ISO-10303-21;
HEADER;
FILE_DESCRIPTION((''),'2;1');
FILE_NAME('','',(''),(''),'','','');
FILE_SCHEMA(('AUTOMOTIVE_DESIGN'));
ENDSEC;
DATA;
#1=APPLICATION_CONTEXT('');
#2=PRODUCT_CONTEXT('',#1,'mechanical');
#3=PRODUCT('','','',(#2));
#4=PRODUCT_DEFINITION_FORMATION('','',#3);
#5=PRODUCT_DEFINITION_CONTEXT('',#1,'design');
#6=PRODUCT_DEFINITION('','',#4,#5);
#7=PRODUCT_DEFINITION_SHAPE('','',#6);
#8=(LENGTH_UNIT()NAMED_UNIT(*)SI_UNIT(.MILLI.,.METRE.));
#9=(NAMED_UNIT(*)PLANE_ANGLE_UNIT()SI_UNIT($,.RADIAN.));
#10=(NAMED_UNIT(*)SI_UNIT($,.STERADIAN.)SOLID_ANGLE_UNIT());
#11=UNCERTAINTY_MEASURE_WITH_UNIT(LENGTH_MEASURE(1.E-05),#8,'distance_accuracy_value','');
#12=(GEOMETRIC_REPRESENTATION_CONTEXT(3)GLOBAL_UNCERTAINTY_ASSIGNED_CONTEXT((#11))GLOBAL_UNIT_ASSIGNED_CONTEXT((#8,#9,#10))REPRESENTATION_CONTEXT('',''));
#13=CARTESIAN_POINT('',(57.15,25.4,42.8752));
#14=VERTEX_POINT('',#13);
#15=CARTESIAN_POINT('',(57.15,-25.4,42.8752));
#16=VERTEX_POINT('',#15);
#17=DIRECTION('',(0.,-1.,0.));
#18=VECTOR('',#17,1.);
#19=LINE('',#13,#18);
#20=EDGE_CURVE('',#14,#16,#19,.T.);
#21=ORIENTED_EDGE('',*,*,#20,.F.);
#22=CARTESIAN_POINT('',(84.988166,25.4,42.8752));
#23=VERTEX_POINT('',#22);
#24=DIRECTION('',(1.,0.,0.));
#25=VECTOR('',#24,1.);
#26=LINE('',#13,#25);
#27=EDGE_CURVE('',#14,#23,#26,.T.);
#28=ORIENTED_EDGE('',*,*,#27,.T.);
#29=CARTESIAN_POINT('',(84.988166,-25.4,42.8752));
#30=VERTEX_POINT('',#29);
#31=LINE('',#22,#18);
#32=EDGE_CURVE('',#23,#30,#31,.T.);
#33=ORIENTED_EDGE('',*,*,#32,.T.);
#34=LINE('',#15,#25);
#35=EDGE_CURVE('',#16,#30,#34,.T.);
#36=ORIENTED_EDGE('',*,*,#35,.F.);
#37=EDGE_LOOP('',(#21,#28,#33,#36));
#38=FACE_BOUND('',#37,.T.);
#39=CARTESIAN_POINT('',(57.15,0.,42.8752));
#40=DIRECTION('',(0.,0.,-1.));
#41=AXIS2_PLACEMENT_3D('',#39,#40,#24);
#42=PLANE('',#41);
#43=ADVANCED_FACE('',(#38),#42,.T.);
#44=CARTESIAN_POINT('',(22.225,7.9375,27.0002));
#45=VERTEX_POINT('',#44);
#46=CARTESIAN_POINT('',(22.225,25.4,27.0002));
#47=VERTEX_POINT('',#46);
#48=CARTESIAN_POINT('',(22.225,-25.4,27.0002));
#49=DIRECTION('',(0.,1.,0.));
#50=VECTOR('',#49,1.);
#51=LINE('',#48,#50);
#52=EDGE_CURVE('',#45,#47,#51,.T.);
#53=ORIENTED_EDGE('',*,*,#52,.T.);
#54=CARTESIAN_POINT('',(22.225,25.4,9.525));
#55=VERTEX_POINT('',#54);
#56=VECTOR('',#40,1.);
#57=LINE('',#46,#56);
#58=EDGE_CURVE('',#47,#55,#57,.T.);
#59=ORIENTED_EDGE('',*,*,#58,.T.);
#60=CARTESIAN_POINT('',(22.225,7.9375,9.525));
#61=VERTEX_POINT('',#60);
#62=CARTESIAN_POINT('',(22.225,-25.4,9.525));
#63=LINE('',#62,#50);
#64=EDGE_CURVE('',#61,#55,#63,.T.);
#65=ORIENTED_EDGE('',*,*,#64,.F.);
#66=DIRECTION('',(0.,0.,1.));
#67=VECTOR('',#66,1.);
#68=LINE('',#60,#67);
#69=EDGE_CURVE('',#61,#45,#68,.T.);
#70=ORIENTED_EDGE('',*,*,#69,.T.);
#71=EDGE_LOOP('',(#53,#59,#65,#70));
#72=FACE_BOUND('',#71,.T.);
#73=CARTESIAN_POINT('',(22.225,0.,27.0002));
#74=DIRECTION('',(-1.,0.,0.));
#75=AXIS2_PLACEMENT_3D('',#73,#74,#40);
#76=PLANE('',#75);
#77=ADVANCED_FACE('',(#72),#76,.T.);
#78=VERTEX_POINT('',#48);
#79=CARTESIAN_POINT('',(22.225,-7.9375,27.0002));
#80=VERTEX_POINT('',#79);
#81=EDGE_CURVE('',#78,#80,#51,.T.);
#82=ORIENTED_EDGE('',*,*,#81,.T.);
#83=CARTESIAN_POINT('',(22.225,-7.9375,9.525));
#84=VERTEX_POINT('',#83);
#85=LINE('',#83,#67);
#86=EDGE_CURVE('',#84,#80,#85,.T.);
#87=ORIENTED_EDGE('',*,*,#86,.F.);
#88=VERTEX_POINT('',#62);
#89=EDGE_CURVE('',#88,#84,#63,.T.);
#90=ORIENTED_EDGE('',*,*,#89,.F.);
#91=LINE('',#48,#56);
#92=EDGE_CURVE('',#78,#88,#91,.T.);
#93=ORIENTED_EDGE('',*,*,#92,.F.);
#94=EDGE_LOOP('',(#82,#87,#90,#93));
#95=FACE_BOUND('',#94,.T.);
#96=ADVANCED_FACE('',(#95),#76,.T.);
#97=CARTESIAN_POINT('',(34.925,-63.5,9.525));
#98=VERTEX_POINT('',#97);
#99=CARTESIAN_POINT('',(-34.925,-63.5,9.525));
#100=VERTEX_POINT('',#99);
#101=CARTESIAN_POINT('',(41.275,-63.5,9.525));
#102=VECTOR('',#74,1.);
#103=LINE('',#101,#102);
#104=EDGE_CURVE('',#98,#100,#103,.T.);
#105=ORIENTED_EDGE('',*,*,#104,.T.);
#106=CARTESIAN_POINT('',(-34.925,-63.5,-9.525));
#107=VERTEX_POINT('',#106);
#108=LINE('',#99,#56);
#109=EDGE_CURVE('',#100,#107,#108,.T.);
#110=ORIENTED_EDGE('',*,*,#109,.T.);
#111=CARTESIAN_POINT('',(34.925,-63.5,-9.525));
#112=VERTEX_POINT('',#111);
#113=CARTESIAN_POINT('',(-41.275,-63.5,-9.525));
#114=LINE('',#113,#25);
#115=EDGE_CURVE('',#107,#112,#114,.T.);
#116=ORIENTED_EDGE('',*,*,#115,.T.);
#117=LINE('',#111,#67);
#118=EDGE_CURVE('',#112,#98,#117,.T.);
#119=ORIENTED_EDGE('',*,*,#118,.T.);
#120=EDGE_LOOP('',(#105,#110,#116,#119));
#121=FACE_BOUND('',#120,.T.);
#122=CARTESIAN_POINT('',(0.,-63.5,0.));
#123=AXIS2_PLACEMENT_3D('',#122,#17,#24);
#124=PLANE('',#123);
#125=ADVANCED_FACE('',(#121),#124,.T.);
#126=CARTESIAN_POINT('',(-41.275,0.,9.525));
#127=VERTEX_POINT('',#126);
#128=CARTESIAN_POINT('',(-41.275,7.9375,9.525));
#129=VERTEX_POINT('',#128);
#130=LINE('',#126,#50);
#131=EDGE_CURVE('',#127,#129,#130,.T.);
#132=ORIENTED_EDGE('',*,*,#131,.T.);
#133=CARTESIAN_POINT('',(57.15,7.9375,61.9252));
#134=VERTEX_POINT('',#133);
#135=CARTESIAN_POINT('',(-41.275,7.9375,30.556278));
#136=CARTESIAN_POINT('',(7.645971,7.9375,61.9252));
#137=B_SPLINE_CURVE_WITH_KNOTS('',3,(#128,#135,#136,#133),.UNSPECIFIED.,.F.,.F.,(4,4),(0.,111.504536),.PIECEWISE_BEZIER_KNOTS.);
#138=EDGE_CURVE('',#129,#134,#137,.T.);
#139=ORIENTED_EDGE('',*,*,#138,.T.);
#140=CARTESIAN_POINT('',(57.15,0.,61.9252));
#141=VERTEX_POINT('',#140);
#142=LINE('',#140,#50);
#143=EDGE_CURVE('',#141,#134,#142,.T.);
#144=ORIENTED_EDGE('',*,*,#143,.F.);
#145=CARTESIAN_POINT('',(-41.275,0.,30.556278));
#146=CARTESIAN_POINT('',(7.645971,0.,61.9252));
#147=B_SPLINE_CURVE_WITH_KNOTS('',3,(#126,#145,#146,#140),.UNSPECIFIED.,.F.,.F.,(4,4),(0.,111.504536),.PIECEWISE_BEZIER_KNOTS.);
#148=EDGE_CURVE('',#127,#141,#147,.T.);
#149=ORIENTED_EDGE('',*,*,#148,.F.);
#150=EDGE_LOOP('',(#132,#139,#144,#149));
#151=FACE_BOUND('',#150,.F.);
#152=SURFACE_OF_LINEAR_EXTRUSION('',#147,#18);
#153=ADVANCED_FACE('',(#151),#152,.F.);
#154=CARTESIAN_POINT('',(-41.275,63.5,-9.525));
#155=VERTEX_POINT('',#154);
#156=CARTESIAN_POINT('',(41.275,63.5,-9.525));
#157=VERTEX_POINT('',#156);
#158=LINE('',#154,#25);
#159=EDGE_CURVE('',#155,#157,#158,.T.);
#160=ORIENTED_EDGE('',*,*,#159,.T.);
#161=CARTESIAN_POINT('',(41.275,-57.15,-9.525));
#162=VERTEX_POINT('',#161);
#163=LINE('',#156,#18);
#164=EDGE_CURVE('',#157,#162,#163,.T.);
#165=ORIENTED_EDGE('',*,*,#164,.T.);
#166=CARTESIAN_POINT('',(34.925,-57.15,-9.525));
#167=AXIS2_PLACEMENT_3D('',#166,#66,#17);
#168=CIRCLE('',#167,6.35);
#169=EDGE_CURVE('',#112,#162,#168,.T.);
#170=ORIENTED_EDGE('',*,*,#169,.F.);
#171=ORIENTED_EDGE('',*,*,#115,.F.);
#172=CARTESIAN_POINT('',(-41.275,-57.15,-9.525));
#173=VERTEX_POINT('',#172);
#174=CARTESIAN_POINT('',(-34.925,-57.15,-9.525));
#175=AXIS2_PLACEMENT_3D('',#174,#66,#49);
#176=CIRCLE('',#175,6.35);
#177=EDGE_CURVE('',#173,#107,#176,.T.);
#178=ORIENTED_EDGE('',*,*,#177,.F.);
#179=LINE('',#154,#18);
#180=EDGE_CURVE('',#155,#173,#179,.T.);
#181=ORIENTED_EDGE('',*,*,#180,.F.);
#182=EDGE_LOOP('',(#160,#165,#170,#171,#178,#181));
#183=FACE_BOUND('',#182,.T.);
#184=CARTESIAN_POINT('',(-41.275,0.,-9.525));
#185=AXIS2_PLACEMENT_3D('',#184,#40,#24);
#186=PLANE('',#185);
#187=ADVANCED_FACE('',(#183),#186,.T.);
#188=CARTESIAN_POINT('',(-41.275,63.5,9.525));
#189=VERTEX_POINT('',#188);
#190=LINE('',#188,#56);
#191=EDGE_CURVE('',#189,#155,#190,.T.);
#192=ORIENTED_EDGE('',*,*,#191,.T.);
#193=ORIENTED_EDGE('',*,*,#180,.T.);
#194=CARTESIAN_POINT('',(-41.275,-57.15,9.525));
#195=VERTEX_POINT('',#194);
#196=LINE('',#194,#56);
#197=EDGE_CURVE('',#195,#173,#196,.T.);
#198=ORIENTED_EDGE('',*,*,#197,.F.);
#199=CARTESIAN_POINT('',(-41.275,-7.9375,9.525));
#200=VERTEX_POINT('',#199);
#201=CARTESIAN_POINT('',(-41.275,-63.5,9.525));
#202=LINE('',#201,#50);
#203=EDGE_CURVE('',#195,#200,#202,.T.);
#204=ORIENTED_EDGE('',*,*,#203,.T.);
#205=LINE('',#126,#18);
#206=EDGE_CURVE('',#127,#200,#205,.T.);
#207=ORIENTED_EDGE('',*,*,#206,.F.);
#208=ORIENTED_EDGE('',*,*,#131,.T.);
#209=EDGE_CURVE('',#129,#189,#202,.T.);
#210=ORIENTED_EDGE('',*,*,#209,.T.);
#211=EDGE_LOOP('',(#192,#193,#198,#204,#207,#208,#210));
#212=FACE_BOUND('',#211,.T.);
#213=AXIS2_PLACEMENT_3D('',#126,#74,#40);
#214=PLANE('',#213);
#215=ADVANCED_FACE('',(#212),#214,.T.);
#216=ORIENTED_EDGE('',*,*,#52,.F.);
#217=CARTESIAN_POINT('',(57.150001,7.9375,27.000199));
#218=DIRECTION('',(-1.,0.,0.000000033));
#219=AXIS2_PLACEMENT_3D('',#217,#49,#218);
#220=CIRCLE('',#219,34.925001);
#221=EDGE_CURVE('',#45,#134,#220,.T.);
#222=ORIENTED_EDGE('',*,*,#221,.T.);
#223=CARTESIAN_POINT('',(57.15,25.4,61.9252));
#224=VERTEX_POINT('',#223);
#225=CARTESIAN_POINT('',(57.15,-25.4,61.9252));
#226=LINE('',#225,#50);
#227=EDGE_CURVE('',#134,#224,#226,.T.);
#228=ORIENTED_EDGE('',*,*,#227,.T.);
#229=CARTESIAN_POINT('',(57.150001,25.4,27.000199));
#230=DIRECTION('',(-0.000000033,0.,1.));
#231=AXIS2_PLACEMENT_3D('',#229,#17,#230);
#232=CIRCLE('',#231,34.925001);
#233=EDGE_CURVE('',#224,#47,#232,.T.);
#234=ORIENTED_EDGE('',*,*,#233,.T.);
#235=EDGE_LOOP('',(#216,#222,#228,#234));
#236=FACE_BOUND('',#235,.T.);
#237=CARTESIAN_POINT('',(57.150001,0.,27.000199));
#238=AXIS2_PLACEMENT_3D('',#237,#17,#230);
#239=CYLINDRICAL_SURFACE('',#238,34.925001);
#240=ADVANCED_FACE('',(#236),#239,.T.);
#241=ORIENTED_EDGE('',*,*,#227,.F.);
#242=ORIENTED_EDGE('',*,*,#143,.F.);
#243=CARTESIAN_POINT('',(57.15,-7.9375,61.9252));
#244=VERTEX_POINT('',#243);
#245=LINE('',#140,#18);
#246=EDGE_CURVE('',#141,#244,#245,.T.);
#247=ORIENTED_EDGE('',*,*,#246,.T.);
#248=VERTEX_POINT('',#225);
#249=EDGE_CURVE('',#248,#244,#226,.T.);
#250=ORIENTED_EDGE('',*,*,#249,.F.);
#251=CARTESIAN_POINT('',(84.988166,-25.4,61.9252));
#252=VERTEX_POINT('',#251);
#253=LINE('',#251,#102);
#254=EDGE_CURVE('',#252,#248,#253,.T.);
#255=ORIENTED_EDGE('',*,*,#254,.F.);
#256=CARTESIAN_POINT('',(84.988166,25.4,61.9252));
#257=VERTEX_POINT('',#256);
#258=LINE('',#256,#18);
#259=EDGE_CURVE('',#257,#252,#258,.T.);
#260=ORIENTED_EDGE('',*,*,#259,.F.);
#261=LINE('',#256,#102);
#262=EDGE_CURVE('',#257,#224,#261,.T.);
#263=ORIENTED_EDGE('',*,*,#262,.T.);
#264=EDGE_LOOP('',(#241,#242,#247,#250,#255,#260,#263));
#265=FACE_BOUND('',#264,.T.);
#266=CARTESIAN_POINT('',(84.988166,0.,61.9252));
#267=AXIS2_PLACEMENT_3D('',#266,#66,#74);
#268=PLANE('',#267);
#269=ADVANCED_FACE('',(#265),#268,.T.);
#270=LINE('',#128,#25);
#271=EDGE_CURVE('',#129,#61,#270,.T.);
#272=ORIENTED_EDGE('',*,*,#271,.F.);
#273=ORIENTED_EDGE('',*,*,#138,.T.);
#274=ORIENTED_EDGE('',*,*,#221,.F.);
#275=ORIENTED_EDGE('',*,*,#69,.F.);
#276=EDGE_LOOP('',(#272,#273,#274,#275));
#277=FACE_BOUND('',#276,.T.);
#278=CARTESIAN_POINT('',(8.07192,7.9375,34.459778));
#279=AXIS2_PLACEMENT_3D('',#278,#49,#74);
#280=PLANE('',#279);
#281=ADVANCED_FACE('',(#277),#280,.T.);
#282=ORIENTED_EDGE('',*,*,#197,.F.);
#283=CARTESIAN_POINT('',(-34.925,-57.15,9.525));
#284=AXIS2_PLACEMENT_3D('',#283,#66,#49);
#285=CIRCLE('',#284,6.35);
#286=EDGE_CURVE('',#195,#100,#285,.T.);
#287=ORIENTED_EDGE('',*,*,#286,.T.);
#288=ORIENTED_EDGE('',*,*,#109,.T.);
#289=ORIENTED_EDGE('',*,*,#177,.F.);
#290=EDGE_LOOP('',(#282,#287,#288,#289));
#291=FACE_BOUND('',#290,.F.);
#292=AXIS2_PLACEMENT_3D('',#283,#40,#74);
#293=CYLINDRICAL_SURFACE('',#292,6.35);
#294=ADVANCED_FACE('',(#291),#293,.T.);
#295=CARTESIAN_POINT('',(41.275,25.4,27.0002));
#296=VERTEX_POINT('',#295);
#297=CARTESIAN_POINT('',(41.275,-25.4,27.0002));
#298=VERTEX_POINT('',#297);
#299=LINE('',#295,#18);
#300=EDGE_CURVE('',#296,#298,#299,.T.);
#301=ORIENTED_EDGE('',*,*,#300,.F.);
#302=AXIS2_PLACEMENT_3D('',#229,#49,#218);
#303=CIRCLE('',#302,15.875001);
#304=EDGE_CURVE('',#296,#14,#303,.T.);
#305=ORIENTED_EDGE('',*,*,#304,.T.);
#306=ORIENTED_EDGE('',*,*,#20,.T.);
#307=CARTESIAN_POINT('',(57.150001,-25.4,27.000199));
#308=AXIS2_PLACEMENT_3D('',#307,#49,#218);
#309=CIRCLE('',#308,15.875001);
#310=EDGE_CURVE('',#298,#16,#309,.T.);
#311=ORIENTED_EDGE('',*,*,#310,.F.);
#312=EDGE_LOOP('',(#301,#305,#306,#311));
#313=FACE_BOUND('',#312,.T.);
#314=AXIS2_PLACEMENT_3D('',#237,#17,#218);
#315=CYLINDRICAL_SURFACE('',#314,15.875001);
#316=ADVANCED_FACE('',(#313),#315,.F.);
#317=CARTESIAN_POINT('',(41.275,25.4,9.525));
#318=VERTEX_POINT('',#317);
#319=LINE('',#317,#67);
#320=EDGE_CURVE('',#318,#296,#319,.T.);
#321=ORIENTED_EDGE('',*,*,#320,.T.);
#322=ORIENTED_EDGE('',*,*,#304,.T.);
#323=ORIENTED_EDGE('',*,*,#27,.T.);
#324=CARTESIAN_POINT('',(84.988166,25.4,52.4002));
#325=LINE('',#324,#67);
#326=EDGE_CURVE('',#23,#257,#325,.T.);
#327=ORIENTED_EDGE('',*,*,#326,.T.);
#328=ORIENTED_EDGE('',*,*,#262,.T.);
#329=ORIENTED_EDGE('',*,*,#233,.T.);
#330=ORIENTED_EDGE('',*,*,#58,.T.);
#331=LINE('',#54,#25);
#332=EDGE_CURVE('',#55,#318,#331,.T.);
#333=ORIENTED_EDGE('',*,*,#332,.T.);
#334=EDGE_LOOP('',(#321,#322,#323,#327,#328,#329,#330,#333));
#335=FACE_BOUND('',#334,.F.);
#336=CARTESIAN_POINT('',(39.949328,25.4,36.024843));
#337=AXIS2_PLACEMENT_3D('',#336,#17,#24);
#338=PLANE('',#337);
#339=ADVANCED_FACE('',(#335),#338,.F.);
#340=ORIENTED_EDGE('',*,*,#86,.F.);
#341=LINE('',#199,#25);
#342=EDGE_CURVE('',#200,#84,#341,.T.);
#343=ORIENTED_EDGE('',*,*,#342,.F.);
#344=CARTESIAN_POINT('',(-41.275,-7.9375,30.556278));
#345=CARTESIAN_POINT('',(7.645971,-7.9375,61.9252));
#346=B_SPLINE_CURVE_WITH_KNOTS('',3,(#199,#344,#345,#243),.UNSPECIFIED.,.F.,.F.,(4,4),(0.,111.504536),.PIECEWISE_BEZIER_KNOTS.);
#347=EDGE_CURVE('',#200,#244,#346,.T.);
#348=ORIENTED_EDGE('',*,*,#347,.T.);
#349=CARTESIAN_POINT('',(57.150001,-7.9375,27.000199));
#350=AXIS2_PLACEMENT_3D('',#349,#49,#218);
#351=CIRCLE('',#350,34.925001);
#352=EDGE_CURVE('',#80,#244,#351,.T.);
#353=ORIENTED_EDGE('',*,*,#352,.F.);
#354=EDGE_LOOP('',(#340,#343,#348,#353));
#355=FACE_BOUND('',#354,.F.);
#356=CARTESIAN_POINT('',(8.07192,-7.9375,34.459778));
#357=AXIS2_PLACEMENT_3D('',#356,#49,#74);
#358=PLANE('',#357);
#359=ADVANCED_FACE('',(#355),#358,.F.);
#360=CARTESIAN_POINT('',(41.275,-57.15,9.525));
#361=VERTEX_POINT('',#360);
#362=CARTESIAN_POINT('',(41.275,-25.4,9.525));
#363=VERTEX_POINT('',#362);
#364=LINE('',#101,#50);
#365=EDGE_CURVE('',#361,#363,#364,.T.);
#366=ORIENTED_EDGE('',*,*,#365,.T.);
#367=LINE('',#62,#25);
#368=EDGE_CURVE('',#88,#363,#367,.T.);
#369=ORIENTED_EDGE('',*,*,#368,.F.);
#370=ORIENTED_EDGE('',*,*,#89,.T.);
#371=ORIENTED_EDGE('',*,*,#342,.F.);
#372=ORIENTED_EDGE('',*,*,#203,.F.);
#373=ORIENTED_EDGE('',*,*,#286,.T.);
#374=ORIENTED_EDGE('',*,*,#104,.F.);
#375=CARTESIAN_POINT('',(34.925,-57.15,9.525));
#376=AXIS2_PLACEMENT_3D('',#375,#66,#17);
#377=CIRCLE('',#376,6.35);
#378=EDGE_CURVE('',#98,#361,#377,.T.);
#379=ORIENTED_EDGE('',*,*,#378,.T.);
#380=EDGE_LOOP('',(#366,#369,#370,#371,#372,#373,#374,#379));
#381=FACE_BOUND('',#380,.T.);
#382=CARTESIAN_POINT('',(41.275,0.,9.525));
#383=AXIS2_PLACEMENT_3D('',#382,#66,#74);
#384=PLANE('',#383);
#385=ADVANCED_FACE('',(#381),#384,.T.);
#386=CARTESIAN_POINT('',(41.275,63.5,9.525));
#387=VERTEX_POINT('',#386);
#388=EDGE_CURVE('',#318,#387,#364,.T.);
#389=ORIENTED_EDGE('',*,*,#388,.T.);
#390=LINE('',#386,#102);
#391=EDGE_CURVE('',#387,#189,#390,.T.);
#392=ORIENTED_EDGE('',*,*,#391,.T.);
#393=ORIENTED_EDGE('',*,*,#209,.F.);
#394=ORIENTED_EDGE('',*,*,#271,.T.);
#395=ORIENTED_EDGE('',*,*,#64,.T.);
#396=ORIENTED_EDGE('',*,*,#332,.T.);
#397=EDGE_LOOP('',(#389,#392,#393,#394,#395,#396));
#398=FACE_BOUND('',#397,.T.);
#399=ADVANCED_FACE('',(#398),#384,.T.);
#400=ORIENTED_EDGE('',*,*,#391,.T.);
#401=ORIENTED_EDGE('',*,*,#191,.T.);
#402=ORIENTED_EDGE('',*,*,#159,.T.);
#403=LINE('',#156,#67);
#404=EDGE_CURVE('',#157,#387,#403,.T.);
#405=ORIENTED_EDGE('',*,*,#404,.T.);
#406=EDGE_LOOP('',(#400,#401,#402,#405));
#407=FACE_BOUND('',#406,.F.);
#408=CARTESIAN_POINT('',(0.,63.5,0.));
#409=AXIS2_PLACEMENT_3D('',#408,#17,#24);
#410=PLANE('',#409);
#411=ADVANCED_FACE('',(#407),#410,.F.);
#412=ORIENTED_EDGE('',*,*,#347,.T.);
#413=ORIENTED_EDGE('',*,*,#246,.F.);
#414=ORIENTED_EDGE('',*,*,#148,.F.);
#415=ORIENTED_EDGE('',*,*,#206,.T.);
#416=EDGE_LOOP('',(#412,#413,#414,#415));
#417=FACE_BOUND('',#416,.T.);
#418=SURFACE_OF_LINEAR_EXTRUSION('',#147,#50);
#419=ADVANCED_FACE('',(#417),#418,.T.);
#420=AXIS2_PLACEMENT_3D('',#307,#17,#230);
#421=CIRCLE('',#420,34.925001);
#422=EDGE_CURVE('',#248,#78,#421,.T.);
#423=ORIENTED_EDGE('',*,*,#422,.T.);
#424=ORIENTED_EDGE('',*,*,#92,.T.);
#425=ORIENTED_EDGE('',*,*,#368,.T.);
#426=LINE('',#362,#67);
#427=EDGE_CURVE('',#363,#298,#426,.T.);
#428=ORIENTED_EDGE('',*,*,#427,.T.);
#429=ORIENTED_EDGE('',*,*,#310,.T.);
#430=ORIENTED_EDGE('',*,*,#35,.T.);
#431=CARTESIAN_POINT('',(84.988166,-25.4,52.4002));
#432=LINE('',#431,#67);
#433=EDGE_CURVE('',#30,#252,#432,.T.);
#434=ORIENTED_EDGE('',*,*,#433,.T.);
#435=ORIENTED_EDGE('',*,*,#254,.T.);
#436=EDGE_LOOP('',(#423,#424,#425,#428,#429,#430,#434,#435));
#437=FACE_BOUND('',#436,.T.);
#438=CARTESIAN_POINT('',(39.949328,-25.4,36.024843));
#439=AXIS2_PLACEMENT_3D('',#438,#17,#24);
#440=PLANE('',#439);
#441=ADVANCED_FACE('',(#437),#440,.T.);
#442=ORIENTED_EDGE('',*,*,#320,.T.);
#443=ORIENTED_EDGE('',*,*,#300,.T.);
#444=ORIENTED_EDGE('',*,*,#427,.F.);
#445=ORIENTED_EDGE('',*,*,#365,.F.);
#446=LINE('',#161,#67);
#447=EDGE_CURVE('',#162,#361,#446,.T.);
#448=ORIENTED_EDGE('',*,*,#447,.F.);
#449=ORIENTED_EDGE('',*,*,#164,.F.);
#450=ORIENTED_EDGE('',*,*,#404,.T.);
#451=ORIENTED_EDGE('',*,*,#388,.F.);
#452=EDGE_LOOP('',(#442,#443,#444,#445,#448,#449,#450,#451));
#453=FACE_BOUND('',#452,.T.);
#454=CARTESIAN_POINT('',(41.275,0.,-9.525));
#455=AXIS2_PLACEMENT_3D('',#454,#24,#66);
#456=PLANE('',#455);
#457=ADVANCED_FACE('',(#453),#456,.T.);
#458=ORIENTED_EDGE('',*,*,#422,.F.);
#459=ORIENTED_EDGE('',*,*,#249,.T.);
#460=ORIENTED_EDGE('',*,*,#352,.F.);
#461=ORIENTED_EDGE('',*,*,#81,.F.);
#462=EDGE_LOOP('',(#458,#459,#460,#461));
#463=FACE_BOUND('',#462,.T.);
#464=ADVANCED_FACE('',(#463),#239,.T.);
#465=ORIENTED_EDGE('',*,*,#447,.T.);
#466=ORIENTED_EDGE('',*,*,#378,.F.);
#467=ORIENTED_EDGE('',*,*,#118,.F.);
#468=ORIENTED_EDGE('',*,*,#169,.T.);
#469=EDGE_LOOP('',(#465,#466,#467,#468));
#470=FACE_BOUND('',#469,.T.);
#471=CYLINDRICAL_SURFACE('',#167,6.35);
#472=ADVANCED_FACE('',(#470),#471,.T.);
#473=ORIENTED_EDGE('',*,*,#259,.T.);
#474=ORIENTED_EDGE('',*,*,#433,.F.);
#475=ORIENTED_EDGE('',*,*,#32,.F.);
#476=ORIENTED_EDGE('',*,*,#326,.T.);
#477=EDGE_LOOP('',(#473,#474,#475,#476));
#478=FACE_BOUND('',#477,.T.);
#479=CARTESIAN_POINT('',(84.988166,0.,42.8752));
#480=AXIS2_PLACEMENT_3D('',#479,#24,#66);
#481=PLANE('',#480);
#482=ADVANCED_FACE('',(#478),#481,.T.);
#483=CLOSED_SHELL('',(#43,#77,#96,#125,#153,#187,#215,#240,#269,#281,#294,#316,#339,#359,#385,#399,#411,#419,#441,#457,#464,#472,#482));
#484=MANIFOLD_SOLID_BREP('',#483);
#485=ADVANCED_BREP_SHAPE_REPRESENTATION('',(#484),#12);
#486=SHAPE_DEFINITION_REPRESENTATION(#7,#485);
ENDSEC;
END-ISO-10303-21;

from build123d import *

# Parameters (mm, degrees)
F1_DEPTH = 63.5
F0_W     = 24.663166
F0_H     = 19.05
F2_DEPTH = 25.4
F3_DEPTH = 7.9375
F4_R     = 6.35


with BuildPart() as f1:
    # F0 (on Front) → F1 (new body, symmetric)
    with BuildSketch(Plane.XZ):
        Polygon((-41.275, 9.525), (-41.275, -9.525), (41.275, -9.525), (41.275, 9.525), (22.225, 9.525), align=None)
    extrude(amount=F1_DEPTH, both=True)

    # F0 (on Front) → F2 (join, symmetric)
    with BuildSketch(Plane.XZ):
        with BuildLine():
            Line((22.225, 9.525), (41.275, 9.525))
            Line((41.275, 9.525), (41.275, 27.0002))
            ThreePointArc((41.275, 27.0002), (45.92468, 38.22552), (57.15, 42.8752))
            Line((57.15, 42.8752), (60.325, 42.8752))
            Line((60.325, 42.8752), (60.325, 61.9252))
            Line((60.325, 61.9252), (57.15, 61.9252))
            ThreePointArc((57.15, 61.9252), (32.454296, 51.695904), (22.225, 27.0002))
            Line((22.225, 27.0002), (22.225, 9.525))
        make_face()
        with Locations((72.656583, 52.4002)):
            Rectangle(F0_W, F0_H)
    extrude(amount=F2_DEPTH, both=True)

    # F0 (on Front) → F3 (join, symmetric)
    with BuildSketch(Plane.XZ):
        with BuildLine():
            add(Edge.make_bspline(
                [(-41.275, 9.525), (-41.275, 30.556278), (7.645971, 61.9252), (57.15, 61.9252)],
                knots=[0, 0, 0, 0, 111.504536, 111.504536, 111.504536, 111.504536], degree=3))
            Line((-41.275, 9.525), (22.225, 9.525))
            Line((22.225, 9.525), (22.225, 27.0002))
            ThreePointArc((22.225, 27.0002), (32.454296, 51.695904), (57.15, 61.9252))
        make_face()
    extrude(amount=F3_DEPTH, both=True)

    # F4
    f4_edges = [f1.edges().sort_by_distance(p)[0] for p in [
        (-41.275, -63.5, 0),
        (41.275, -63.5, 0),
    ]]
    fillet(f4_edges, radius=F4_R)


solid = f1.part
